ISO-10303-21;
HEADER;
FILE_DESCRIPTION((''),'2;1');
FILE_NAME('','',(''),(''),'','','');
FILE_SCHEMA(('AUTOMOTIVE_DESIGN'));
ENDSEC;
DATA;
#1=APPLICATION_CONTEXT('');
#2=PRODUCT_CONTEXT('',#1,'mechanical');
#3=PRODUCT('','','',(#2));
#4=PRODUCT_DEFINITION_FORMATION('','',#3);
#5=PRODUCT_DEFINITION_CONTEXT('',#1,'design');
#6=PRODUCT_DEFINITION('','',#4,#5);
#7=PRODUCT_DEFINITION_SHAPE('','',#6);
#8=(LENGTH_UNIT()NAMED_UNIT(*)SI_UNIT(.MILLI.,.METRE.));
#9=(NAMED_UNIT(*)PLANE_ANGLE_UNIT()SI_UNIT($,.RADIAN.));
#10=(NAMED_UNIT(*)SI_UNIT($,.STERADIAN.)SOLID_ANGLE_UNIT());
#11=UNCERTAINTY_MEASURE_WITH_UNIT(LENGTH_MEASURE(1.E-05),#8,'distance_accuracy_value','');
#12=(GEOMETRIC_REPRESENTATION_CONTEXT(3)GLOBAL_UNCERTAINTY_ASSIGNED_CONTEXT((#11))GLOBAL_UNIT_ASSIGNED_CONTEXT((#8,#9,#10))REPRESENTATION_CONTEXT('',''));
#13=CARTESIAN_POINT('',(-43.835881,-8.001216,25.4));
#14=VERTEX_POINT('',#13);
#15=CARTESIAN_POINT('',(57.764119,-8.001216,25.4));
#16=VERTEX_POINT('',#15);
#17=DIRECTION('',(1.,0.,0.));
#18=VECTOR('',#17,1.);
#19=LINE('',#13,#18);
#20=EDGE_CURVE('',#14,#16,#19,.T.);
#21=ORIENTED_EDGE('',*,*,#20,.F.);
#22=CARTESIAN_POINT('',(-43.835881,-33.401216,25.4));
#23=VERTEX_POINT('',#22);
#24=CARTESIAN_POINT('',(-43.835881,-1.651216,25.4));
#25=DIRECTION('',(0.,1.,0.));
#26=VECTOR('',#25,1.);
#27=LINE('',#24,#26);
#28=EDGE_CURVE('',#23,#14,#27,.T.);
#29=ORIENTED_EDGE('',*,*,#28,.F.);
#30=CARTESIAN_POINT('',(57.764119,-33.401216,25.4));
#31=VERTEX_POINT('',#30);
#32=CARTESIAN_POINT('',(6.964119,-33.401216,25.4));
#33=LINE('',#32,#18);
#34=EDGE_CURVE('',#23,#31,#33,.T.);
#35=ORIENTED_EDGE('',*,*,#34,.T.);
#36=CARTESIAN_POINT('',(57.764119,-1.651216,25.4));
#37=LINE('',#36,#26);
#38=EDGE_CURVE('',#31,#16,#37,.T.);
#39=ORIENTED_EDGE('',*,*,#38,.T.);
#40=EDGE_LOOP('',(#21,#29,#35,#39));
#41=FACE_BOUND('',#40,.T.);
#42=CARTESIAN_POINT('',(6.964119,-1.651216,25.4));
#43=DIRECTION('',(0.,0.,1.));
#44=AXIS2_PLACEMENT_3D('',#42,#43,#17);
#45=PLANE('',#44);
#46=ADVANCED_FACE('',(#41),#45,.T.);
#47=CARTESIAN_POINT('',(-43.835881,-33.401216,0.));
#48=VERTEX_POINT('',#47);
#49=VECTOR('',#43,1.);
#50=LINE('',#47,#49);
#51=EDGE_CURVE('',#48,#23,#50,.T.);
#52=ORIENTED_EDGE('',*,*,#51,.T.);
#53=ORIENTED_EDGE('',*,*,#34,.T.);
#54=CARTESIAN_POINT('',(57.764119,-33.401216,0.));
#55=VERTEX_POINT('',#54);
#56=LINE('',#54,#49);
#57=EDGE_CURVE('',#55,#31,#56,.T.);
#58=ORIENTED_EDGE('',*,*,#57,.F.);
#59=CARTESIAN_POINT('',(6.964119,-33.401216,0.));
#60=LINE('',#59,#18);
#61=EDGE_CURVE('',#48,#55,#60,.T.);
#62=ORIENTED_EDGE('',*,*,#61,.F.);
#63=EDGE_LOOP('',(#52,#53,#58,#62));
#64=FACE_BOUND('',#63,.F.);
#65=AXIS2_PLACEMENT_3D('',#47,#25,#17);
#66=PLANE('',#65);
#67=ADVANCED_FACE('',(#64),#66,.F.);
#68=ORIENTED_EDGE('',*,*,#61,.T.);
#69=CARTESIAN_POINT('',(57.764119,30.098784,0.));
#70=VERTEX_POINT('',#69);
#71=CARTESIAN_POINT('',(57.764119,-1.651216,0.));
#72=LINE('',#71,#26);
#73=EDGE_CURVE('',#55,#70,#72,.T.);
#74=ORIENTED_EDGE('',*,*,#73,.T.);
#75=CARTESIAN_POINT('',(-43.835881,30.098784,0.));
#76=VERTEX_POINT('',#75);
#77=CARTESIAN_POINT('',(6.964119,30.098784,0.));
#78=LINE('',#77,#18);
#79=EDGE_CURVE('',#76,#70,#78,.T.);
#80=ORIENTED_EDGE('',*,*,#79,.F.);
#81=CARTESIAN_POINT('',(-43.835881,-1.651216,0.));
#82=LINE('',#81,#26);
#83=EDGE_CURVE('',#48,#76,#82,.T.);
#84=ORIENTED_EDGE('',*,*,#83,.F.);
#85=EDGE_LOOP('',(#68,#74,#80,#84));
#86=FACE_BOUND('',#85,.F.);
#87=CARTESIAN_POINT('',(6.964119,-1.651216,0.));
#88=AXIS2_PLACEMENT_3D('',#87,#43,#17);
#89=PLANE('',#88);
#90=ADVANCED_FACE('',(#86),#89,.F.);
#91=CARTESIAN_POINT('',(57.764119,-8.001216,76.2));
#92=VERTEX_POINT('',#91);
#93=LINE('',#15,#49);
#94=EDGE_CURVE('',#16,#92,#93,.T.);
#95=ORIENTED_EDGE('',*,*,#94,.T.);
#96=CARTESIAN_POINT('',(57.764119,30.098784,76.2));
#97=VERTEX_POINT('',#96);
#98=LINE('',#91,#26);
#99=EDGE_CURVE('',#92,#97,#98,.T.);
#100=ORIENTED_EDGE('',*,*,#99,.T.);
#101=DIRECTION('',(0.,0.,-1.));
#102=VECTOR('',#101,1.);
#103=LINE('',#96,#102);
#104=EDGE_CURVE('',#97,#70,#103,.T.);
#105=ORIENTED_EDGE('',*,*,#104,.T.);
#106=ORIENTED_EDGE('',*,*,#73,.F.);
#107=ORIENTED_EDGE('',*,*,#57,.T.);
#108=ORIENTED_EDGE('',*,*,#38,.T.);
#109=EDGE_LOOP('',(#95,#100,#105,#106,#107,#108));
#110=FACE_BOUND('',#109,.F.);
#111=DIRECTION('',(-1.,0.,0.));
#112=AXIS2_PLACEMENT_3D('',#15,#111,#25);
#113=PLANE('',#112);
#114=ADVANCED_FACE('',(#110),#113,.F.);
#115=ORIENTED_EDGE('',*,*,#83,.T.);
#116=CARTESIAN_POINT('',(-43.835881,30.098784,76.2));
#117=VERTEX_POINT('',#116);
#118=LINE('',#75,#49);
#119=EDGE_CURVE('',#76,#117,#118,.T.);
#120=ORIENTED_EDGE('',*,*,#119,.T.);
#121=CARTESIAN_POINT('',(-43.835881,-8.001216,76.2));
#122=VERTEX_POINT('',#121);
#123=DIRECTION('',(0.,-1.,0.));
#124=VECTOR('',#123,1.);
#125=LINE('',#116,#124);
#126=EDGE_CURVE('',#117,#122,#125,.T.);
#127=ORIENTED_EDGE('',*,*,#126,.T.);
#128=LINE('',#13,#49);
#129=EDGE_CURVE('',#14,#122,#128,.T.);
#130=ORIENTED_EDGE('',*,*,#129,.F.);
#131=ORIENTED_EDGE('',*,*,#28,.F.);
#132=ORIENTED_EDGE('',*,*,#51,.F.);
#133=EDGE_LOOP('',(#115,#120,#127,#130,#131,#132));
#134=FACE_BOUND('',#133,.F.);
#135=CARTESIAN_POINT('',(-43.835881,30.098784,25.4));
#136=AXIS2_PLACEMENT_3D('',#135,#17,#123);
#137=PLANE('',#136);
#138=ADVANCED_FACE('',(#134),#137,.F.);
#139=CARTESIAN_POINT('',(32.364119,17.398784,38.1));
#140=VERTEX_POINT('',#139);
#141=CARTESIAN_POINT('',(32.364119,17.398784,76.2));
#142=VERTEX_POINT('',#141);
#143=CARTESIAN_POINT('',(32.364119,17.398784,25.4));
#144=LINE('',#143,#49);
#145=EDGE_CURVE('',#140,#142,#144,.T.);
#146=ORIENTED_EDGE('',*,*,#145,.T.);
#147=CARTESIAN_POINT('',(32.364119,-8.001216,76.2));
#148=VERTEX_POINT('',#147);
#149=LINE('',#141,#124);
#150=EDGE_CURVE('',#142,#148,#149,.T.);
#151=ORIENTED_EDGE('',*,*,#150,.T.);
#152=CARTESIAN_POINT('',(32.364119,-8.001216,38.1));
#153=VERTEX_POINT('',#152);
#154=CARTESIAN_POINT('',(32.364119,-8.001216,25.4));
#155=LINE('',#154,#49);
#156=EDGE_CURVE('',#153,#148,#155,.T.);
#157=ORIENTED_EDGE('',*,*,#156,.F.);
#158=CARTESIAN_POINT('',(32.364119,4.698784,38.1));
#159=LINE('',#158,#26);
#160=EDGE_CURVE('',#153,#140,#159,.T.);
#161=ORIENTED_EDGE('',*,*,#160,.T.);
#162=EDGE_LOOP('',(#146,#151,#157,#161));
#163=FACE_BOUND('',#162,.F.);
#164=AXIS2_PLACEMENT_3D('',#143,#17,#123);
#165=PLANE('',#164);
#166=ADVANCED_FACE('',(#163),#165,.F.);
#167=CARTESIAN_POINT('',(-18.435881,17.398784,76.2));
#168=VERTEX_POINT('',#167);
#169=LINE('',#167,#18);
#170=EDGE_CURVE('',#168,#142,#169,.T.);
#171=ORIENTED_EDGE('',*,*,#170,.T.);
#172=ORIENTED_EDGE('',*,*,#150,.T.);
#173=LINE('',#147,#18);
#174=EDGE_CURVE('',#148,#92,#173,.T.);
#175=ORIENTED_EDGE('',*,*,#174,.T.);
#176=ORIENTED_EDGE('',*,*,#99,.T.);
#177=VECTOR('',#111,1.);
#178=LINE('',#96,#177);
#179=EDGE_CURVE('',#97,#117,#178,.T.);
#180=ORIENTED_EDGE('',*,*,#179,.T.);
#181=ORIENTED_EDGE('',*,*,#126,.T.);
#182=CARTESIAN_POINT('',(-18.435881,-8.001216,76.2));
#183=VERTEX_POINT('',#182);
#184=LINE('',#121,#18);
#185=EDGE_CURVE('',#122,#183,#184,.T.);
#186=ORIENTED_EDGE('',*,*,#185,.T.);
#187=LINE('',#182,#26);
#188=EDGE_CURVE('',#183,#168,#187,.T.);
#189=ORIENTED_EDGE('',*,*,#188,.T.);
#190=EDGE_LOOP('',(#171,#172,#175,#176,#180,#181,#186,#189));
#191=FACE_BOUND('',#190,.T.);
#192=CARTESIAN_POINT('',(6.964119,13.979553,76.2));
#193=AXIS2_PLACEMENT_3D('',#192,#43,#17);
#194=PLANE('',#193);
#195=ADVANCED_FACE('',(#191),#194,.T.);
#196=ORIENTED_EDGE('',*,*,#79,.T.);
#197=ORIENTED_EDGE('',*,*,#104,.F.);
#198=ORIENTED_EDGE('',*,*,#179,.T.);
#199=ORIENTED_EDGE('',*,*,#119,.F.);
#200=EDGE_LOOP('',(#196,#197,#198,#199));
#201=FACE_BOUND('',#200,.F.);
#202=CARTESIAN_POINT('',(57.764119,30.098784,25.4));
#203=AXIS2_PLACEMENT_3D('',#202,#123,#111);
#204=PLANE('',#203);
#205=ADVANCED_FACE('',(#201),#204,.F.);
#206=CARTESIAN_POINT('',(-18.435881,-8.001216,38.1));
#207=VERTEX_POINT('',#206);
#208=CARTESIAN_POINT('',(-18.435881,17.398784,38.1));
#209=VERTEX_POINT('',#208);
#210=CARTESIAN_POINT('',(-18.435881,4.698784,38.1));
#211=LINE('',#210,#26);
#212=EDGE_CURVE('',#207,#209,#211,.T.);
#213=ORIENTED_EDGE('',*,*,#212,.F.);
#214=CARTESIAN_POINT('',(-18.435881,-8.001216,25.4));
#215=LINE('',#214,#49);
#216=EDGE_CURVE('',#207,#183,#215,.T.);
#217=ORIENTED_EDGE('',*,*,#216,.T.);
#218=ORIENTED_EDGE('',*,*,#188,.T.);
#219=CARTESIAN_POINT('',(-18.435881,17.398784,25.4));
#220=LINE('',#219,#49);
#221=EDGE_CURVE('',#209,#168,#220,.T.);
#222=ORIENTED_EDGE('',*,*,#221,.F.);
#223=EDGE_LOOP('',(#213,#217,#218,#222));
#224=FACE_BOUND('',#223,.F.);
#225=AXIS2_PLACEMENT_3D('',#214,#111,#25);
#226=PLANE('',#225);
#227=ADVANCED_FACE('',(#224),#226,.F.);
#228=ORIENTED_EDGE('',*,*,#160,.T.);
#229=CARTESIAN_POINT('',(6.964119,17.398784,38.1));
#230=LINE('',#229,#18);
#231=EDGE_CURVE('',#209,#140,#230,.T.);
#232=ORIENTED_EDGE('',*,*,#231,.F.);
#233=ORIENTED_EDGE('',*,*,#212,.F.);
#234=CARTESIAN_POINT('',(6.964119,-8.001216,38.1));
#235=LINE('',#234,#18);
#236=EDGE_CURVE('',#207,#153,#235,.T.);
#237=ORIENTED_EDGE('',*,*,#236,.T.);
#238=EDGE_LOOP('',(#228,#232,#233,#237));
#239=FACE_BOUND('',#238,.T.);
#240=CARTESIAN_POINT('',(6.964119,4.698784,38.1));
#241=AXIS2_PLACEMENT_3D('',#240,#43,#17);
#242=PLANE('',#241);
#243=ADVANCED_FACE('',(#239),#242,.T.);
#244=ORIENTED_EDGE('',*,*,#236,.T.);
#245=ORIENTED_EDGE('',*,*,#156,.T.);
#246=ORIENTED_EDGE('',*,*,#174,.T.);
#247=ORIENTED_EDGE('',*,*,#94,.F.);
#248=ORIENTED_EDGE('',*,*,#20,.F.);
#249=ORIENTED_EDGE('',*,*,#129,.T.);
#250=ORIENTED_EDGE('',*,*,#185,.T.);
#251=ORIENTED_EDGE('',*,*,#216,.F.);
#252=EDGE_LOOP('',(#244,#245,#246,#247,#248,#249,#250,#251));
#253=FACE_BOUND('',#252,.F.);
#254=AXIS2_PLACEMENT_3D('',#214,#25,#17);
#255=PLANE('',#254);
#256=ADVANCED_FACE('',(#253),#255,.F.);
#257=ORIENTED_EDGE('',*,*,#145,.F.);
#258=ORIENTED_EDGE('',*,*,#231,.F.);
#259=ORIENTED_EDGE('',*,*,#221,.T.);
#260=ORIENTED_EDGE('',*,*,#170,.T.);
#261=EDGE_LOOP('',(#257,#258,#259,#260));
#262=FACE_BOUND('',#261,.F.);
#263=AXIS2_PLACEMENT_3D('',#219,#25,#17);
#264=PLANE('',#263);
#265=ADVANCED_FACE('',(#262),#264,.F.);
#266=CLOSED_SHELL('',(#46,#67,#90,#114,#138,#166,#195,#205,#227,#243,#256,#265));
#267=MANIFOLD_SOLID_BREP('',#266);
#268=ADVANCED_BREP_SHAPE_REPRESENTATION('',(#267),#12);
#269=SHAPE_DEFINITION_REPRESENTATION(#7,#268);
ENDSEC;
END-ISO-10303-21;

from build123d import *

# Parameters (mm, degrees)
F0_W     = 101.6
F0_H     = 63.5
F1_DEPTH = 25.4
F3_DEPTH = 50.8
F4_W     = 50.8
F4_H     = 25.4
F5_DEPTH = 12.7


with BuildPart() as f1:
    # F0 (on Top) → F1 (new body)
    with BuildSketch(Plane.XY):
        with Locations((6.964119, -1.651216)):
            Rectangle(F0_W, F0_H)
    extrude(amount=F1_DEPTH)

    # F2 (on face) → F3 (join)
    with BuildSketch(Plane.XY.offset(25.4)):
        Polygon((57.764119, 30.098784), (-43.835881, 30.098784), (-43.835881, -8.001216), (-18.435881, -8.001216), (-18.435881, 17.398784), (32.364119, 17.398784), (32.364119, -8.001216), (57.764119, -8.001216), align=None)
    extrude(amount=F3_DEPTH)

    # F4 (on face) → F5 (join)
    with BuildSketch(Plane.XY.offset(25.4)):
        with Locations((6.964119, 4.698784)):
            Rectangle(F4_W, F4_H)
    extrude(amount=F5_DEPTH)


solid = f1.part
